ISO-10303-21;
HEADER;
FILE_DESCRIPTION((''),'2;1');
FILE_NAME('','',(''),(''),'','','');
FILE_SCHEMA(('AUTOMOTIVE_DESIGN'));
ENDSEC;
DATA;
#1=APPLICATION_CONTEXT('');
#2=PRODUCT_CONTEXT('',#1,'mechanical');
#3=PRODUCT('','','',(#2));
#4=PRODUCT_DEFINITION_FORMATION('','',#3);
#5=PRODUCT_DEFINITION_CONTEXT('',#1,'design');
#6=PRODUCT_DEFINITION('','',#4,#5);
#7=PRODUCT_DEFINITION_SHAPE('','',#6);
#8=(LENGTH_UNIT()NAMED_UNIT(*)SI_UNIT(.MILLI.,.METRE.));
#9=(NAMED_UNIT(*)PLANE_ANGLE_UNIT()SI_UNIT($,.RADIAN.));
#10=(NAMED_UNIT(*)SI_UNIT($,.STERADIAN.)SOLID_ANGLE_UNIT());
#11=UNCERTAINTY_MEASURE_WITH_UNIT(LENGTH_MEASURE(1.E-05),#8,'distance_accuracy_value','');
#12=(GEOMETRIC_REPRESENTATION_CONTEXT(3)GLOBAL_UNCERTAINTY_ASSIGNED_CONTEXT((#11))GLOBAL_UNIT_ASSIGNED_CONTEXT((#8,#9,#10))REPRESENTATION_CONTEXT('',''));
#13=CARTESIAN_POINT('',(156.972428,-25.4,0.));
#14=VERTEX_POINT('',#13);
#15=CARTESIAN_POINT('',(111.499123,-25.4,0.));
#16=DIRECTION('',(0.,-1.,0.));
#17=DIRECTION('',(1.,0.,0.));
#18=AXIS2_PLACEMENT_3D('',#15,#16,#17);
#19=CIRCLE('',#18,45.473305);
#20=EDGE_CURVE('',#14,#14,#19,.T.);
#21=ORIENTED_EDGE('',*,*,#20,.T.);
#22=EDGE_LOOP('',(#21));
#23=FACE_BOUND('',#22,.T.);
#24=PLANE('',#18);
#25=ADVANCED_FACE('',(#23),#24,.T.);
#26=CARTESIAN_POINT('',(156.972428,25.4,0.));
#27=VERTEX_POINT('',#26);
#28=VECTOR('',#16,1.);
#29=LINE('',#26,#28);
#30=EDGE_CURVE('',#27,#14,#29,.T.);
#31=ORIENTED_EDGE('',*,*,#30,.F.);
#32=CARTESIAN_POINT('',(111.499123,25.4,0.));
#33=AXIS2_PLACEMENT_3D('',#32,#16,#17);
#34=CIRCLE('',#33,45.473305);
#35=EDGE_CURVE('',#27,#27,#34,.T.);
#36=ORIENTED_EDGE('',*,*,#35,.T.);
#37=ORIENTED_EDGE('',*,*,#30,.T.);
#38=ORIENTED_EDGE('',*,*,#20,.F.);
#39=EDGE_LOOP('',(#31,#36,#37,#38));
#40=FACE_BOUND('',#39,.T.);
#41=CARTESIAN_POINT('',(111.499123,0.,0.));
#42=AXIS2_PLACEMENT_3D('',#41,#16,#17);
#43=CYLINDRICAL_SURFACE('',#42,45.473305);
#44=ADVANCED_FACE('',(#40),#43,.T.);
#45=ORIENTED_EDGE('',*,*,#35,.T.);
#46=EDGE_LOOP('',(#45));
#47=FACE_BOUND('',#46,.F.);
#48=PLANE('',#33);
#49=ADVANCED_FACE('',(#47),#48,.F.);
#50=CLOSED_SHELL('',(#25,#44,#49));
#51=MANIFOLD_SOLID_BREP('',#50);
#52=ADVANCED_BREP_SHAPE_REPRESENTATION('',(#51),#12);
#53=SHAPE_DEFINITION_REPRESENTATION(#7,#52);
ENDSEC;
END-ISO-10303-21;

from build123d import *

# Parameters (mm, degrees)
F0_R          = 45.473305
F1_DEPTH      = 25.4
F1_DEPTH_BACK = 25.4


with BuildPart() as f1:
    # F0 (on Front) → F1 (new body, two sides)
    with BuildSketch(Plane.XZ) as f1_sk:
        with Locations((111.499123, 0)):
            Circle(F0_R)
    extrude(amount=F1_DEPTH)
    extrude(f1_sk.sketch, amount=-F1_DEPTH_BACK)


solid = f1.part
